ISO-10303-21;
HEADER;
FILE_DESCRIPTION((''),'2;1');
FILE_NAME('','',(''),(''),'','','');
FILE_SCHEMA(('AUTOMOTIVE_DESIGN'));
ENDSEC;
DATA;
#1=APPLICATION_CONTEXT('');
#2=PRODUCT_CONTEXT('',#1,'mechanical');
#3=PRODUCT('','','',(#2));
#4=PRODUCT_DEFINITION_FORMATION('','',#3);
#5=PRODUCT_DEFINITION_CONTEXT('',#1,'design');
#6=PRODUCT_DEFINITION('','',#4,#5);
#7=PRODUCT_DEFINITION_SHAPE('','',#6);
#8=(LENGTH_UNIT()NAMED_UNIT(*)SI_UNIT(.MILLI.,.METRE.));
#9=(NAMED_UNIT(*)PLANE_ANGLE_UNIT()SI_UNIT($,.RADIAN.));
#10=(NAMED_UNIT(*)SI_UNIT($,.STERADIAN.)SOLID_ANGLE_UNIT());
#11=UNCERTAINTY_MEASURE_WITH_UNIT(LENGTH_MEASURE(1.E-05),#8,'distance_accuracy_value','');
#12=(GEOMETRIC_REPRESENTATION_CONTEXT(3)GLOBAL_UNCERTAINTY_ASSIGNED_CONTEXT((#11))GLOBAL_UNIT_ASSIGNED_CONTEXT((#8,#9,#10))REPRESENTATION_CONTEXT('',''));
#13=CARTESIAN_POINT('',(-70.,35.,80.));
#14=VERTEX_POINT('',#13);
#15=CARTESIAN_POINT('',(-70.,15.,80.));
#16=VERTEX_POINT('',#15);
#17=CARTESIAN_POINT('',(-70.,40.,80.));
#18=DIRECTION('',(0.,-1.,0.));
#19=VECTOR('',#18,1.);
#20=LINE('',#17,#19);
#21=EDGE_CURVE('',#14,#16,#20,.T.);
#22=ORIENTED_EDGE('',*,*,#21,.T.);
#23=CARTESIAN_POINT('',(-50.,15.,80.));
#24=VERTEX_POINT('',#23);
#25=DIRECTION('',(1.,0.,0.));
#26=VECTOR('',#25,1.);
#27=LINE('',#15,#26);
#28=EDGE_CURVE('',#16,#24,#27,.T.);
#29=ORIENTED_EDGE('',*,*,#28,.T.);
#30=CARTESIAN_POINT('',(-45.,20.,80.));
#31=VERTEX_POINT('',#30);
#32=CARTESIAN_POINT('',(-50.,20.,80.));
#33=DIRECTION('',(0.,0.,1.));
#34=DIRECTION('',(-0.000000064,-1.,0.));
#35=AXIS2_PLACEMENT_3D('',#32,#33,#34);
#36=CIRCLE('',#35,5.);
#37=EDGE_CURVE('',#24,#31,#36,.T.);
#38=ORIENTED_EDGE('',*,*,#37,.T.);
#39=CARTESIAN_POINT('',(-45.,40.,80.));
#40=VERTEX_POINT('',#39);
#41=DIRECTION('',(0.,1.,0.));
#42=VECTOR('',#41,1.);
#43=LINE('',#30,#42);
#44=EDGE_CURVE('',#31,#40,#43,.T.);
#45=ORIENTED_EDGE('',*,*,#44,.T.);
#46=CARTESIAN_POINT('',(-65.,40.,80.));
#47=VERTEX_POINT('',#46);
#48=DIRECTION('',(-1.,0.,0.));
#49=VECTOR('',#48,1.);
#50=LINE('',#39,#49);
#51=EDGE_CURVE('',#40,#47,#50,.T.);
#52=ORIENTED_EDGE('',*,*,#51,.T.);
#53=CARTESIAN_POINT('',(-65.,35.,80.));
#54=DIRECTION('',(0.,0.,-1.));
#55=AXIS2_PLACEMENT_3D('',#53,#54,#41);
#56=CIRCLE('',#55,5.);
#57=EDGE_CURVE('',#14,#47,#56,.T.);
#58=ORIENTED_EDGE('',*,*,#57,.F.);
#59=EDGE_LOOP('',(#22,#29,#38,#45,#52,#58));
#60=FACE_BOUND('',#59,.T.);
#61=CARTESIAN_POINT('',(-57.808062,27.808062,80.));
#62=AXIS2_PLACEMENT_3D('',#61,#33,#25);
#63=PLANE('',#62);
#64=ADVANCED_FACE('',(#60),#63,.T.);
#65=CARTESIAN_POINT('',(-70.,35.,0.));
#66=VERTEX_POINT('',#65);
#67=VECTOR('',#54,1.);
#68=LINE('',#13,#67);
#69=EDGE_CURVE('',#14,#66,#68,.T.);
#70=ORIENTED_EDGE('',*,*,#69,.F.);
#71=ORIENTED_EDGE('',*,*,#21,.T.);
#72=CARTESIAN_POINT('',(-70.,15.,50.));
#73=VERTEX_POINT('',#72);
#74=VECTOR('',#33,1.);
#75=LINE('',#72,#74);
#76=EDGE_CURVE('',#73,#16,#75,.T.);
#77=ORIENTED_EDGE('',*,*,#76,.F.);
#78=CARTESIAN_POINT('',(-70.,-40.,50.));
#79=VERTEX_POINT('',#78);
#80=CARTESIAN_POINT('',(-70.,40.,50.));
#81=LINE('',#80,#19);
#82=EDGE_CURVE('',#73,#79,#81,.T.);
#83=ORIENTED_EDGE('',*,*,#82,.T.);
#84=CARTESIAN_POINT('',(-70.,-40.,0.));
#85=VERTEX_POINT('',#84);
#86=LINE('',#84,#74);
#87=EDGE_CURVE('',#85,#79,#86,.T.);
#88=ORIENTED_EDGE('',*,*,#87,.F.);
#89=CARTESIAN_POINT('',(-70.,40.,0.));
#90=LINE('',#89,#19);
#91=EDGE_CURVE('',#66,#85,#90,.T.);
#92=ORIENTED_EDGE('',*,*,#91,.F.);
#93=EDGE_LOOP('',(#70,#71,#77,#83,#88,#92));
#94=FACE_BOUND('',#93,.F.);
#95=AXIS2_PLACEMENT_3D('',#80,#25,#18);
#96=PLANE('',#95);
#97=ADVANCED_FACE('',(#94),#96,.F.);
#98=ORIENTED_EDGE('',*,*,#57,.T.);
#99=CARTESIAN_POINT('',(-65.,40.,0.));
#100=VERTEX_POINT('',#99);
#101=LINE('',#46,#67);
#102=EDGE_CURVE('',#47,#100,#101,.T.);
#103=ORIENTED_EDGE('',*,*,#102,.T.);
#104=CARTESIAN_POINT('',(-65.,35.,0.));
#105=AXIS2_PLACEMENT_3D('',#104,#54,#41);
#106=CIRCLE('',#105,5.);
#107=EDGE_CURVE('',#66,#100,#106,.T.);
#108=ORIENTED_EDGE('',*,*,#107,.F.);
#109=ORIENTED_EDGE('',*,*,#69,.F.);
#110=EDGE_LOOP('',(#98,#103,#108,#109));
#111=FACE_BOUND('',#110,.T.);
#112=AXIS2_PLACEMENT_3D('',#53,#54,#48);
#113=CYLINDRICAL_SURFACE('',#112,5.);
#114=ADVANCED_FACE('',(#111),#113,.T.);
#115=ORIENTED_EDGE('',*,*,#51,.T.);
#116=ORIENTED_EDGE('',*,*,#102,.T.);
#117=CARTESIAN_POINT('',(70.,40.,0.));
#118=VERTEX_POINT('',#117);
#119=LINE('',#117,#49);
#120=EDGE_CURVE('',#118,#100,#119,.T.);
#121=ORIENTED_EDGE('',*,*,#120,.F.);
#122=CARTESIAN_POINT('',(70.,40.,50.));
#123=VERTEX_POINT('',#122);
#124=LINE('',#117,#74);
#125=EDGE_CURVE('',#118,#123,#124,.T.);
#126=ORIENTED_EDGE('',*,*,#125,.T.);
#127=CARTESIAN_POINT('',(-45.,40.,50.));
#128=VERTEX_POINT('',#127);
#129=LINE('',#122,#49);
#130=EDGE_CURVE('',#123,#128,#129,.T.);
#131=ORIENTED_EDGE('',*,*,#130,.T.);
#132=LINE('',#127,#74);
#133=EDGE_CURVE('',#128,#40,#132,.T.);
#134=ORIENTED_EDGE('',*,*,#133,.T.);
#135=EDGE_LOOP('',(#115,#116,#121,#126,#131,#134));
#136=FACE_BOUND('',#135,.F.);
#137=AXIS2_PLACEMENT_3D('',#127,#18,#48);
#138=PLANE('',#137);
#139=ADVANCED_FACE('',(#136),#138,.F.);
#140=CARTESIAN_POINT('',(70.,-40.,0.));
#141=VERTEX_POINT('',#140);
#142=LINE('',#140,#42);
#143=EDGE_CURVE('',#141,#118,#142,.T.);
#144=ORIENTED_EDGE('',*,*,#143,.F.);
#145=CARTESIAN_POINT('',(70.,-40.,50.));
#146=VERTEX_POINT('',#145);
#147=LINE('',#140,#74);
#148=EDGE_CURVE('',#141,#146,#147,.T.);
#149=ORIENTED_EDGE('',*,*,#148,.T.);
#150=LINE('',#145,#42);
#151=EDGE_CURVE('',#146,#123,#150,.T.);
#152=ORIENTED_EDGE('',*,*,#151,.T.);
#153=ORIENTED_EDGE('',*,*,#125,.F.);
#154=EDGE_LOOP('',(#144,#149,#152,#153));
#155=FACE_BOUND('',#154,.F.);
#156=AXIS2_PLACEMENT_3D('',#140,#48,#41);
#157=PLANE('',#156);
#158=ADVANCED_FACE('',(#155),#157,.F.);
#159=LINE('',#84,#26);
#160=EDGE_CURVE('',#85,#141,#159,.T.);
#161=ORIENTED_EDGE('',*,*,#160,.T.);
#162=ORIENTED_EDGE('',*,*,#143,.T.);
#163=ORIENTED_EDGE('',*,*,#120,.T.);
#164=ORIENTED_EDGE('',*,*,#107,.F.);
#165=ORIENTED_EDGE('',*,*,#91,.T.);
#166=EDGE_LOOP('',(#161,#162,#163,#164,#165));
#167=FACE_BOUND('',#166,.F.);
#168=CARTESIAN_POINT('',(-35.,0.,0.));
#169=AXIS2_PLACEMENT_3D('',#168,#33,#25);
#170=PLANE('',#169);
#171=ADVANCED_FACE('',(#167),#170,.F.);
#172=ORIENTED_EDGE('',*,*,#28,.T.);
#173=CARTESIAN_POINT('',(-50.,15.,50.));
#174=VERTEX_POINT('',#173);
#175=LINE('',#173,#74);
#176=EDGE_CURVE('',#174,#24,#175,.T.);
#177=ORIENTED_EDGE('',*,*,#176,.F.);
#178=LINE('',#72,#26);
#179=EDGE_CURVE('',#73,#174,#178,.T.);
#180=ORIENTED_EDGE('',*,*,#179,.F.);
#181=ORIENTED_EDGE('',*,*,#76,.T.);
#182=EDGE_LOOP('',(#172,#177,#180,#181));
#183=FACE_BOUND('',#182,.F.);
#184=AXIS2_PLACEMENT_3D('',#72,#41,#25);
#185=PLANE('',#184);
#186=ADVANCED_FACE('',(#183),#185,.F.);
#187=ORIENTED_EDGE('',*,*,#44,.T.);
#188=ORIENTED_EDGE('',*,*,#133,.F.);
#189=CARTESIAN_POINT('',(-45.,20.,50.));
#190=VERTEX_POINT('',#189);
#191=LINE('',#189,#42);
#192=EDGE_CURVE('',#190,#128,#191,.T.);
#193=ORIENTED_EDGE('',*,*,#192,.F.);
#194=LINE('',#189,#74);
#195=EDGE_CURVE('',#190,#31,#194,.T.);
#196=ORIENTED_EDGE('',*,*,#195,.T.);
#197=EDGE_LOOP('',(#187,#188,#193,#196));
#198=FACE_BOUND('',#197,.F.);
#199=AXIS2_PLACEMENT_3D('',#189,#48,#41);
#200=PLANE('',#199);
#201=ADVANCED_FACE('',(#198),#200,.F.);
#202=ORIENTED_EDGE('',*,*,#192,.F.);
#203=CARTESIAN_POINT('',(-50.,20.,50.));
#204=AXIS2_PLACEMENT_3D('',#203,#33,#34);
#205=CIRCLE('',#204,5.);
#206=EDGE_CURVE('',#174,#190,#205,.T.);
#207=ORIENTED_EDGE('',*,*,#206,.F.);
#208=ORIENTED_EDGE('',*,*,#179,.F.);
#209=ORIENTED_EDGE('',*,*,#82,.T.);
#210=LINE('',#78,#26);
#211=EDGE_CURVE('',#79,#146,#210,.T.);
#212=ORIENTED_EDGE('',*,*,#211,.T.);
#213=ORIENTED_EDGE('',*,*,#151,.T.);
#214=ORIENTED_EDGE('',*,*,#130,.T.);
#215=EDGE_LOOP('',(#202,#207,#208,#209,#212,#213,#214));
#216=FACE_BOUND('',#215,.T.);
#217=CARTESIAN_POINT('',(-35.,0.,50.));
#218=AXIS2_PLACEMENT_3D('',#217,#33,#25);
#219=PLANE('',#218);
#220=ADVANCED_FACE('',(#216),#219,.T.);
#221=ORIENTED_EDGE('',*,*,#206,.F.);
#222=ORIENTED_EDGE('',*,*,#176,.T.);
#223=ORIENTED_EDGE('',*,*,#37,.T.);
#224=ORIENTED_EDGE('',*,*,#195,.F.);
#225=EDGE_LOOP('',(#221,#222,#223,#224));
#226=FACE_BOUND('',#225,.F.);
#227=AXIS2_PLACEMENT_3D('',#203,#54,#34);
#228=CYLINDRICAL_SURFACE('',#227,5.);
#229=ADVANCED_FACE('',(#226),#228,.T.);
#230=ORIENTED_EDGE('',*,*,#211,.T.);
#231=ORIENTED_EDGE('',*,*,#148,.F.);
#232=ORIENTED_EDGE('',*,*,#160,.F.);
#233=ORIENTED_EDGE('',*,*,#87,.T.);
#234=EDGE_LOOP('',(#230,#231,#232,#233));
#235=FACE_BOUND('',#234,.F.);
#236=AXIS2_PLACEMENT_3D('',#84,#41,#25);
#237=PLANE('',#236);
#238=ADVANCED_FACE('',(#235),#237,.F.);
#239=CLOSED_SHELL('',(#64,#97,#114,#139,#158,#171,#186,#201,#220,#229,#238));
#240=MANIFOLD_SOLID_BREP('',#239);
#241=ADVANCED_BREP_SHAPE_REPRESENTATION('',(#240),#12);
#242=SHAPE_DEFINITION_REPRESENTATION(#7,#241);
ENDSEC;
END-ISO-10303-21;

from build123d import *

# Parameters (mm, degrees)
F1_DEPTH = 50
F3_DEPTH = 30
F4_R     = 5


with BuildPart() as f1:
    # F0 (on Top) → F1 (new body)
    with BuildSketch(Plane.XY):
        Polygon((0, 40), (-70, 40), (-70, -40), (0, -40), (0, 0), align=None)
        Polygon((70, 40), (0, 40), (0, 0), (0, -40), (70, -40), align=None)
    extrude(amount=F1_DEPTH)

    # F2 (on face) → F3 (join)
    with BuildSketch(Plane.XY.offset(50)):
        with BuildLine():
            Line((-70, 40), (-70, 15))
            Line((-70, 15), (-50, 15))
            ThreePointArc((-50, 15), (-46.464466, 16.464466), (-45, 20))
            Line((-45, 20), (-45, 40))
            Line((-45, 40), (-70, 40))
        make_face()
    extrude(amount=F3_DEPTH)

    # F4
    f4_edges = [f1.edges().sort_by_distance(p)[0] for p in [
        (-70, 40, 40),
    ]]
    fillet(f4_edges, radius=F4_R)


solid = f1.part
